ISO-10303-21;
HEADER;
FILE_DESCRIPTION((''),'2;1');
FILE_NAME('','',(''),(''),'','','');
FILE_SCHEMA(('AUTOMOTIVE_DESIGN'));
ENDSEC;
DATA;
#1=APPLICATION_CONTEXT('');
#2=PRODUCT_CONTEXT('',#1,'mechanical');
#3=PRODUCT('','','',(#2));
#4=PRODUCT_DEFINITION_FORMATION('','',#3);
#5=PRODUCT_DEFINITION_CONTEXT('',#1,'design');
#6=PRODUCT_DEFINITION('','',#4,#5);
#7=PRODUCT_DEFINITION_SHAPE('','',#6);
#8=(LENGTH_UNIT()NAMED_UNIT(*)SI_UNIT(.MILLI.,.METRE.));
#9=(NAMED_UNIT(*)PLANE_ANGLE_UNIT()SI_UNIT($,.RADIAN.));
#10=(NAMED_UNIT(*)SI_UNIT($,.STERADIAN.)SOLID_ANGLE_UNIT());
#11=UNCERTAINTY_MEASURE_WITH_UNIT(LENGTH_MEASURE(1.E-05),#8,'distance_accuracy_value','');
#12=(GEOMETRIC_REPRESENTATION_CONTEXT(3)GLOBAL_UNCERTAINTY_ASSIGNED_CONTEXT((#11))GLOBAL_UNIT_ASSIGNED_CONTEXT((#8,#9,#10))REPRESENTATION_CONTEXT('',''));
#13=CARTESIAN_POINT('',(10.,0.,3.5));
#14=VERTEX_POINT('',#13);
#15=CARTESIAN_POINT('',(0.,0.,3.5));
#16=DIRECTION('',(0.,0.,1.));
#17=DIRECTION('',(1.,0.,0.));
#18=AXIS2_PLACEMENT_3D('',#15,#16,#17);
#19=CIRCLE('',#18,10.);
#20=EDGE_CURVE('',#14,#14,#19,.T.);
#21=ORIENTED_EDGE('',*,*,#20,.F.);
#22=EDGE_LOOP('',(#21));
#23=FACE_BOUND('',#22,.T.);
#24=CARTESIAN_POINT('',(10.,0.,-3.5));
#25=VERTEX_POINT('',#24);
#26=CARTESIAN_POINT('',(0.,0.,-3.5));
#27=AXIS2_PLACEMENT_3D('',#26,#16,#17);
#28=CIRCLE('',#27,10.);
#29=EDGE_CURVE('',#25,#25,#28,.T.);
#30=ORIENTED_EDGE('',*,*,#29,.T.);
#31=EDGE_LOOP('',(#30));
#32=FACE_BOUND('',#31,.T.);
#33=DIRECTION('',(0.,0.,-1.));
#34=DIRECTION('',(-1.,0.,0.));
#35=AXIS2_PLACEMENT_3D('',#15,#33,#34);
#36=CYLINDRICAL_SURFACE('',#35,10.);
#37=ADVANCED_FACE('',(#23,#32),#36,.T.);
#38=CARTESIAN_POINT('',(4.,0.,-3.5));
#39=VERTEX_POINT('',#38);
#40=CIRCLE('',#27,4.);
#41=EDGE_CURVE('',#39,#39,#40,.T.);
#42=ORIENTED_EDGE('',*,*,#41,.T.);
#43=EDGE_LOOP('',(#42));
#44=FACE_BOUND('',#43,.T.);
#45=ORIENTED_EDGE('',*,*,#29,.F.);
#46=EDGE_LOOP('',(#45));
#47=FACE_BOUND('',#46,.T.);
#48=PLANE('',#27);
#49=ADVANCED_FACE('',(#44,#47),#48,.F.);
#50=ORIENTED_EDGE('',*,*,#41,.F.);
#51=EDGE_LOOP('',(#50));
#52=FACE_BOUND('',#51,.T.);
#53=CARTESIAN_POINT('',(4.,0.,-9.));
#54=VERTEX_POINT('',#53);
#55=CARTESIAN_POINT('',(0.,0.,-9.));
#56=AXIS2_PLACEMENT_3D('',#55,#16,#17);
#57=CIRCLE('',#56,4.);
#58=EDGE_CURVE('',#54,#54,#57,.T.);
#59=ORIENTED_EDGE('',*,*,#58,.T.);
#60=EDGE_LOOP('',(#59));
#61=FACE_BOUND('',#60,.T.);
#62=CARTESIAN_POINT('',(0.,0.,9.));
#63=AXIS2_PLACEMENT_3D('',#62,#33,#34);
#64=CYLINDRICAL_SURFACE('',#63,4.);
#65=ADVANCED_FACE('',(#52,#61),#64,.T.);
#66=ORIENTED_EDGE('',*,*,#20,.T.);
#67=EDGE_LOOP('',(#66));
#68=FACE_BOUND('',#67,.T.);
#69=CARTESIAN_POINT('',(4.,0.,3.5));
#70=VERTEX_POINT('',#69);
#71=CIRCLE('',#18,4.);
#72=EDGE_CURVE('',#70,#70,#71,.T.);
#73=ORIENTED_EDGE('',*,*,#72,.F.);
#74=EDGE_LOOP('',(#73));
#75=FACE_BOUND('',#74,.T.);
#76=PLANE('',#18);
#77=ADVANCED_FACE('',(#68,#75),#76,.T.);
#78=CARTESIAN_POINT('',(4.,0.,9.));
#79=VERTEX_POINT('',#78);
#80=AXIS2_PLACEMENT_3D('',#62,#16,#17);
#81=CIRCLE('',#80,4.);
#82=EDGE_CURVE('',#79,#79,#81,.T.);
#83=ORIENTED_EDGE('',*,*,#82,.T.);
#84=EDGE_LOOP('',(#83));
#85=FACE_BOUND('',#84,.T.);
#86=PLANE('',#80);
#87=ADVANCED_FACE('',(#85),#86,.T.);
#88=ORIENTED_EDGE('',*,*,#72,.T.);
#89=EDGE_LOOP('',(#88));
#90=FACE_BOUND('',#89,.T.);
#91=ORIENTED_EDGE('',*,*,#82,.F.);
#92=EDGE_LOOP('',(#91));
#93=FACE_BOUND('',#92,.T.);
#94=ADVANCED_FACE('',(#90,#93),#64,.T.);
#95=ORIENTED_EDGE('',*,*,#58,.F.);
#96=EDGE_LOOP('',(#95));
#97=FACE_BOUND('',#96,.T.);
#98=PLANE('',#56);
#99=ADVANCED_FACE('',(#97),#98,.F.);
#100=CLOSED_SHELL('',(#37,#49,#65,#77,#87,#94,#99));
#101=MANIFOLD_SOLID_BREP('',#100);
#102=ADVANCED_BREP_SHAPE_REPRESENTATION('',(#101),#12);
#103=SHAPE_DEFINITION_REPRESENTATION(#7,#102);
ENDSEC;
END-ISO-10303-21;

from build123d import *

# Parameters (mm, degrees)
SKETCH_1_R      = 4
EXTRUDE_2_DEPTH = 9
SKETCH_1_6_R    = 10
SKETCH_1_6_R_2  = 4
EXTRUDE_3_DEPTH = 3.5


with BuildPart() as part:
    # 草图1 → 凸台-拉伸2 (new, symmetric)
    with BuildSketch(Plane.XY):
        Circle(SKETCH_1_R)
    extrude(amount=EXTRUDE_2_DEPTH, both=True)

    # 草图1<6> → 凸台-拉伸3 (add, symmetric)
    with BuildSketch(Plane.XY):
        Circle(SKETCH_1_6_R)
        Circle(SKETCH_1_6_R_2, mode=Mode.SUBTRACT)
    extrude(amount=EXTRUDE_3_DEPTH, both=True)


solid = part.part
